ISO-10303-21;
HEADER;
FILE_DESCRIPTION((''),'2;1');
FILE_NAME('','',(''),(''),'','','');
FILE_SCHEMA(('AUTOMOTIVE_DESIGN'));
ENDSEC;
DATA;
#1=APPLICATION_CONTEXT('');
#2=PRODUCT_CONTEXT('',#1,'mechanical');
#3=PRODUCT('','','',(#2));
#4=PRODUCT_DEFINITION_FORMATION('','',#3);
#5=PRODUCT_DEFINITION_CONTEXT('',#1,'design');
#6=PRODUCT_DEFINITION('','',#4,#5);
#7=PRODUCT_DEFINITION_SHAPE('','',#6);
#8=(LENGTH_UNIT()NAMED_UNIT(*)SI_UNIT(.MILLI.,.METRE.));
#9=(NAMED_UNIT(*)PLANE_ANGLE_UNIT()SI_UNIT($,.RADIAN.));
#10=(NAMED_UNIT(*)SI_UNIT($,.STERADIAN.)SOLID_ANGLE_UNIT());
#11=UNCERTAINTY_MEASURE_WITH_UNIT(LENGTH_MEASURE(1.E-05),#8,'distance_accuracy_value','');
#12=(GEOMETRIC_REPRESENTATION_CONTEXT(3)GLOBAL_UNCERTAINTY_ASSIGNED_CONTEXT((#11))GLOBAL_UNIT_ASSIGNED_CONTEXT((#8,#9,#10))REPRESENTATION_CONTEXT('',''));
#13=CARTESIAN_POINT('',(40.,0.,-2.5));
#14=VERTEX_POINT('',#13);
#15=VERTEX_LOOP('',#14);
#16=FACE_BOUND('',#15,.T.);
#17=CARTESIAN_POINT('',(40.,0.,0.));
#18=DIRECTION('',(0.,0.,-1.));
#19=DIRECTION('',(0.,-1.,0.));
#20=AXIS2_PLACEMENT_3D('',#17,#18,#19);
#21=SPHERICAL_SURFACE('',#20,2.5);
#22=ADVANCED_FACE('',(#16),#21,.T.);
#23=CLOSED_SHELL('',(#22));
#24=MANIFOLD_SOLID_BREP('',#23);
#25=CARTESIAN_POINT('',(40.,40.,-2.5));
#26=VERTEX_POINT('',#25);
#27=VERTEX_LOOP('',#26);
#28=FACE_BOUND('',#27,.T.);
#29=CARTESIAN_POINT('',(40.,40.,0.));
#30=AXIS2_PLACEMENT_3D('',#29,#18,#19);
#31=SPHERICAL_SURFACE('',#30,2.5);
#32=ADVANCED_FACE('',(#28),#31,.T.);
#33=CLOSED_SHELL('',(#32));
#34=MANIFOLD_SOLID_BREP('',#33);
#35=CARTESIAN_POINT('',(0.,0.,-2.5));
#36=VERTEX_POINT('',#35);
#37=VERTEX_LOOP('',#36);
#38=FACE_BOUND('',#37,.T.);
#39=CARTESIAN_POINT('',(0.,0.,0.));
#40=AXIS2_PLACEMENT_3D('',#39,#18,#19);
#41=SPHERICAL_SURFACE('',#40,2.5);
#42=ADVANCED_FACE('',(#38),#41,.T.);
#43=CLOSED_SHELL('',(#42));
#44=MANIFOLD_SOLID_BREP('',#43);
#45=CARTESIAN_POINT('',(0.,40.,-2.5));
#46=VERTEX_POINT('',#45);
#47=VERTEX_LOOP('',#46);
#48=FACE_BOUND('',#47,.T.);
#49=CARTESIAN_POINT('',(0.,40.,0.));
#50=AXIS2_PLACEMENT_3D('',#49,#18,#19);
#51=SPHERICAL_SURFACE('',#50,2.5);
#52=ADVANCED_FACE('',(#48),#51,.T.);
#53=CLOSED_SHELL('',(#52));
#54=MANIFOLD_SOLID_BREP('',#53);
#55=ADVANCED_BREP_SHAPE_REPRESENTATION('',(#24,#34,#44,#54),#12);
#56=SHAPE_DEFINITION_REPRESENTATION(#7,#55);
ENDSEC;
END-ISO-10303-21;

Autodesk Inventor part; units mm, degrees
ref_plane "YZ Plane" through (0, 0, 0) normal (1, 0, 0) x (0, 1, 0)
ref_plane "XZ Plane" through (0, 0, 0) normal (0, 1, 0) x (-1, 0, 0)
ref_plane "XY Plane" through (0, 0, 0) normal (0, 0, 1) x (1, 0, 0)
sketch "Skizze1" plane through (0, 0, 0) normal (1, 0, 0) x (0, 1, 0)
  circle A0 centre (0, 0) radius 2.5
  line L0 (0, 2.5) -> (0, -2.5)
  dimension "d0" = 5
revolve "Umdrehung1" add sketch "Skizze1" angle 360 about axis through (0, 0, 2.5) along (0, 0, -1) picked at (-0.3873, -0.7379) contours L0 A0
pattern_linear "Rechteckige Anordnung1" count 2 spacing 40 along (1, 0, 0) count 2 spacing 40 along (0, 1, 0) of "Umdrehung1"
properties part number "00_BallMagnets_5mm"
